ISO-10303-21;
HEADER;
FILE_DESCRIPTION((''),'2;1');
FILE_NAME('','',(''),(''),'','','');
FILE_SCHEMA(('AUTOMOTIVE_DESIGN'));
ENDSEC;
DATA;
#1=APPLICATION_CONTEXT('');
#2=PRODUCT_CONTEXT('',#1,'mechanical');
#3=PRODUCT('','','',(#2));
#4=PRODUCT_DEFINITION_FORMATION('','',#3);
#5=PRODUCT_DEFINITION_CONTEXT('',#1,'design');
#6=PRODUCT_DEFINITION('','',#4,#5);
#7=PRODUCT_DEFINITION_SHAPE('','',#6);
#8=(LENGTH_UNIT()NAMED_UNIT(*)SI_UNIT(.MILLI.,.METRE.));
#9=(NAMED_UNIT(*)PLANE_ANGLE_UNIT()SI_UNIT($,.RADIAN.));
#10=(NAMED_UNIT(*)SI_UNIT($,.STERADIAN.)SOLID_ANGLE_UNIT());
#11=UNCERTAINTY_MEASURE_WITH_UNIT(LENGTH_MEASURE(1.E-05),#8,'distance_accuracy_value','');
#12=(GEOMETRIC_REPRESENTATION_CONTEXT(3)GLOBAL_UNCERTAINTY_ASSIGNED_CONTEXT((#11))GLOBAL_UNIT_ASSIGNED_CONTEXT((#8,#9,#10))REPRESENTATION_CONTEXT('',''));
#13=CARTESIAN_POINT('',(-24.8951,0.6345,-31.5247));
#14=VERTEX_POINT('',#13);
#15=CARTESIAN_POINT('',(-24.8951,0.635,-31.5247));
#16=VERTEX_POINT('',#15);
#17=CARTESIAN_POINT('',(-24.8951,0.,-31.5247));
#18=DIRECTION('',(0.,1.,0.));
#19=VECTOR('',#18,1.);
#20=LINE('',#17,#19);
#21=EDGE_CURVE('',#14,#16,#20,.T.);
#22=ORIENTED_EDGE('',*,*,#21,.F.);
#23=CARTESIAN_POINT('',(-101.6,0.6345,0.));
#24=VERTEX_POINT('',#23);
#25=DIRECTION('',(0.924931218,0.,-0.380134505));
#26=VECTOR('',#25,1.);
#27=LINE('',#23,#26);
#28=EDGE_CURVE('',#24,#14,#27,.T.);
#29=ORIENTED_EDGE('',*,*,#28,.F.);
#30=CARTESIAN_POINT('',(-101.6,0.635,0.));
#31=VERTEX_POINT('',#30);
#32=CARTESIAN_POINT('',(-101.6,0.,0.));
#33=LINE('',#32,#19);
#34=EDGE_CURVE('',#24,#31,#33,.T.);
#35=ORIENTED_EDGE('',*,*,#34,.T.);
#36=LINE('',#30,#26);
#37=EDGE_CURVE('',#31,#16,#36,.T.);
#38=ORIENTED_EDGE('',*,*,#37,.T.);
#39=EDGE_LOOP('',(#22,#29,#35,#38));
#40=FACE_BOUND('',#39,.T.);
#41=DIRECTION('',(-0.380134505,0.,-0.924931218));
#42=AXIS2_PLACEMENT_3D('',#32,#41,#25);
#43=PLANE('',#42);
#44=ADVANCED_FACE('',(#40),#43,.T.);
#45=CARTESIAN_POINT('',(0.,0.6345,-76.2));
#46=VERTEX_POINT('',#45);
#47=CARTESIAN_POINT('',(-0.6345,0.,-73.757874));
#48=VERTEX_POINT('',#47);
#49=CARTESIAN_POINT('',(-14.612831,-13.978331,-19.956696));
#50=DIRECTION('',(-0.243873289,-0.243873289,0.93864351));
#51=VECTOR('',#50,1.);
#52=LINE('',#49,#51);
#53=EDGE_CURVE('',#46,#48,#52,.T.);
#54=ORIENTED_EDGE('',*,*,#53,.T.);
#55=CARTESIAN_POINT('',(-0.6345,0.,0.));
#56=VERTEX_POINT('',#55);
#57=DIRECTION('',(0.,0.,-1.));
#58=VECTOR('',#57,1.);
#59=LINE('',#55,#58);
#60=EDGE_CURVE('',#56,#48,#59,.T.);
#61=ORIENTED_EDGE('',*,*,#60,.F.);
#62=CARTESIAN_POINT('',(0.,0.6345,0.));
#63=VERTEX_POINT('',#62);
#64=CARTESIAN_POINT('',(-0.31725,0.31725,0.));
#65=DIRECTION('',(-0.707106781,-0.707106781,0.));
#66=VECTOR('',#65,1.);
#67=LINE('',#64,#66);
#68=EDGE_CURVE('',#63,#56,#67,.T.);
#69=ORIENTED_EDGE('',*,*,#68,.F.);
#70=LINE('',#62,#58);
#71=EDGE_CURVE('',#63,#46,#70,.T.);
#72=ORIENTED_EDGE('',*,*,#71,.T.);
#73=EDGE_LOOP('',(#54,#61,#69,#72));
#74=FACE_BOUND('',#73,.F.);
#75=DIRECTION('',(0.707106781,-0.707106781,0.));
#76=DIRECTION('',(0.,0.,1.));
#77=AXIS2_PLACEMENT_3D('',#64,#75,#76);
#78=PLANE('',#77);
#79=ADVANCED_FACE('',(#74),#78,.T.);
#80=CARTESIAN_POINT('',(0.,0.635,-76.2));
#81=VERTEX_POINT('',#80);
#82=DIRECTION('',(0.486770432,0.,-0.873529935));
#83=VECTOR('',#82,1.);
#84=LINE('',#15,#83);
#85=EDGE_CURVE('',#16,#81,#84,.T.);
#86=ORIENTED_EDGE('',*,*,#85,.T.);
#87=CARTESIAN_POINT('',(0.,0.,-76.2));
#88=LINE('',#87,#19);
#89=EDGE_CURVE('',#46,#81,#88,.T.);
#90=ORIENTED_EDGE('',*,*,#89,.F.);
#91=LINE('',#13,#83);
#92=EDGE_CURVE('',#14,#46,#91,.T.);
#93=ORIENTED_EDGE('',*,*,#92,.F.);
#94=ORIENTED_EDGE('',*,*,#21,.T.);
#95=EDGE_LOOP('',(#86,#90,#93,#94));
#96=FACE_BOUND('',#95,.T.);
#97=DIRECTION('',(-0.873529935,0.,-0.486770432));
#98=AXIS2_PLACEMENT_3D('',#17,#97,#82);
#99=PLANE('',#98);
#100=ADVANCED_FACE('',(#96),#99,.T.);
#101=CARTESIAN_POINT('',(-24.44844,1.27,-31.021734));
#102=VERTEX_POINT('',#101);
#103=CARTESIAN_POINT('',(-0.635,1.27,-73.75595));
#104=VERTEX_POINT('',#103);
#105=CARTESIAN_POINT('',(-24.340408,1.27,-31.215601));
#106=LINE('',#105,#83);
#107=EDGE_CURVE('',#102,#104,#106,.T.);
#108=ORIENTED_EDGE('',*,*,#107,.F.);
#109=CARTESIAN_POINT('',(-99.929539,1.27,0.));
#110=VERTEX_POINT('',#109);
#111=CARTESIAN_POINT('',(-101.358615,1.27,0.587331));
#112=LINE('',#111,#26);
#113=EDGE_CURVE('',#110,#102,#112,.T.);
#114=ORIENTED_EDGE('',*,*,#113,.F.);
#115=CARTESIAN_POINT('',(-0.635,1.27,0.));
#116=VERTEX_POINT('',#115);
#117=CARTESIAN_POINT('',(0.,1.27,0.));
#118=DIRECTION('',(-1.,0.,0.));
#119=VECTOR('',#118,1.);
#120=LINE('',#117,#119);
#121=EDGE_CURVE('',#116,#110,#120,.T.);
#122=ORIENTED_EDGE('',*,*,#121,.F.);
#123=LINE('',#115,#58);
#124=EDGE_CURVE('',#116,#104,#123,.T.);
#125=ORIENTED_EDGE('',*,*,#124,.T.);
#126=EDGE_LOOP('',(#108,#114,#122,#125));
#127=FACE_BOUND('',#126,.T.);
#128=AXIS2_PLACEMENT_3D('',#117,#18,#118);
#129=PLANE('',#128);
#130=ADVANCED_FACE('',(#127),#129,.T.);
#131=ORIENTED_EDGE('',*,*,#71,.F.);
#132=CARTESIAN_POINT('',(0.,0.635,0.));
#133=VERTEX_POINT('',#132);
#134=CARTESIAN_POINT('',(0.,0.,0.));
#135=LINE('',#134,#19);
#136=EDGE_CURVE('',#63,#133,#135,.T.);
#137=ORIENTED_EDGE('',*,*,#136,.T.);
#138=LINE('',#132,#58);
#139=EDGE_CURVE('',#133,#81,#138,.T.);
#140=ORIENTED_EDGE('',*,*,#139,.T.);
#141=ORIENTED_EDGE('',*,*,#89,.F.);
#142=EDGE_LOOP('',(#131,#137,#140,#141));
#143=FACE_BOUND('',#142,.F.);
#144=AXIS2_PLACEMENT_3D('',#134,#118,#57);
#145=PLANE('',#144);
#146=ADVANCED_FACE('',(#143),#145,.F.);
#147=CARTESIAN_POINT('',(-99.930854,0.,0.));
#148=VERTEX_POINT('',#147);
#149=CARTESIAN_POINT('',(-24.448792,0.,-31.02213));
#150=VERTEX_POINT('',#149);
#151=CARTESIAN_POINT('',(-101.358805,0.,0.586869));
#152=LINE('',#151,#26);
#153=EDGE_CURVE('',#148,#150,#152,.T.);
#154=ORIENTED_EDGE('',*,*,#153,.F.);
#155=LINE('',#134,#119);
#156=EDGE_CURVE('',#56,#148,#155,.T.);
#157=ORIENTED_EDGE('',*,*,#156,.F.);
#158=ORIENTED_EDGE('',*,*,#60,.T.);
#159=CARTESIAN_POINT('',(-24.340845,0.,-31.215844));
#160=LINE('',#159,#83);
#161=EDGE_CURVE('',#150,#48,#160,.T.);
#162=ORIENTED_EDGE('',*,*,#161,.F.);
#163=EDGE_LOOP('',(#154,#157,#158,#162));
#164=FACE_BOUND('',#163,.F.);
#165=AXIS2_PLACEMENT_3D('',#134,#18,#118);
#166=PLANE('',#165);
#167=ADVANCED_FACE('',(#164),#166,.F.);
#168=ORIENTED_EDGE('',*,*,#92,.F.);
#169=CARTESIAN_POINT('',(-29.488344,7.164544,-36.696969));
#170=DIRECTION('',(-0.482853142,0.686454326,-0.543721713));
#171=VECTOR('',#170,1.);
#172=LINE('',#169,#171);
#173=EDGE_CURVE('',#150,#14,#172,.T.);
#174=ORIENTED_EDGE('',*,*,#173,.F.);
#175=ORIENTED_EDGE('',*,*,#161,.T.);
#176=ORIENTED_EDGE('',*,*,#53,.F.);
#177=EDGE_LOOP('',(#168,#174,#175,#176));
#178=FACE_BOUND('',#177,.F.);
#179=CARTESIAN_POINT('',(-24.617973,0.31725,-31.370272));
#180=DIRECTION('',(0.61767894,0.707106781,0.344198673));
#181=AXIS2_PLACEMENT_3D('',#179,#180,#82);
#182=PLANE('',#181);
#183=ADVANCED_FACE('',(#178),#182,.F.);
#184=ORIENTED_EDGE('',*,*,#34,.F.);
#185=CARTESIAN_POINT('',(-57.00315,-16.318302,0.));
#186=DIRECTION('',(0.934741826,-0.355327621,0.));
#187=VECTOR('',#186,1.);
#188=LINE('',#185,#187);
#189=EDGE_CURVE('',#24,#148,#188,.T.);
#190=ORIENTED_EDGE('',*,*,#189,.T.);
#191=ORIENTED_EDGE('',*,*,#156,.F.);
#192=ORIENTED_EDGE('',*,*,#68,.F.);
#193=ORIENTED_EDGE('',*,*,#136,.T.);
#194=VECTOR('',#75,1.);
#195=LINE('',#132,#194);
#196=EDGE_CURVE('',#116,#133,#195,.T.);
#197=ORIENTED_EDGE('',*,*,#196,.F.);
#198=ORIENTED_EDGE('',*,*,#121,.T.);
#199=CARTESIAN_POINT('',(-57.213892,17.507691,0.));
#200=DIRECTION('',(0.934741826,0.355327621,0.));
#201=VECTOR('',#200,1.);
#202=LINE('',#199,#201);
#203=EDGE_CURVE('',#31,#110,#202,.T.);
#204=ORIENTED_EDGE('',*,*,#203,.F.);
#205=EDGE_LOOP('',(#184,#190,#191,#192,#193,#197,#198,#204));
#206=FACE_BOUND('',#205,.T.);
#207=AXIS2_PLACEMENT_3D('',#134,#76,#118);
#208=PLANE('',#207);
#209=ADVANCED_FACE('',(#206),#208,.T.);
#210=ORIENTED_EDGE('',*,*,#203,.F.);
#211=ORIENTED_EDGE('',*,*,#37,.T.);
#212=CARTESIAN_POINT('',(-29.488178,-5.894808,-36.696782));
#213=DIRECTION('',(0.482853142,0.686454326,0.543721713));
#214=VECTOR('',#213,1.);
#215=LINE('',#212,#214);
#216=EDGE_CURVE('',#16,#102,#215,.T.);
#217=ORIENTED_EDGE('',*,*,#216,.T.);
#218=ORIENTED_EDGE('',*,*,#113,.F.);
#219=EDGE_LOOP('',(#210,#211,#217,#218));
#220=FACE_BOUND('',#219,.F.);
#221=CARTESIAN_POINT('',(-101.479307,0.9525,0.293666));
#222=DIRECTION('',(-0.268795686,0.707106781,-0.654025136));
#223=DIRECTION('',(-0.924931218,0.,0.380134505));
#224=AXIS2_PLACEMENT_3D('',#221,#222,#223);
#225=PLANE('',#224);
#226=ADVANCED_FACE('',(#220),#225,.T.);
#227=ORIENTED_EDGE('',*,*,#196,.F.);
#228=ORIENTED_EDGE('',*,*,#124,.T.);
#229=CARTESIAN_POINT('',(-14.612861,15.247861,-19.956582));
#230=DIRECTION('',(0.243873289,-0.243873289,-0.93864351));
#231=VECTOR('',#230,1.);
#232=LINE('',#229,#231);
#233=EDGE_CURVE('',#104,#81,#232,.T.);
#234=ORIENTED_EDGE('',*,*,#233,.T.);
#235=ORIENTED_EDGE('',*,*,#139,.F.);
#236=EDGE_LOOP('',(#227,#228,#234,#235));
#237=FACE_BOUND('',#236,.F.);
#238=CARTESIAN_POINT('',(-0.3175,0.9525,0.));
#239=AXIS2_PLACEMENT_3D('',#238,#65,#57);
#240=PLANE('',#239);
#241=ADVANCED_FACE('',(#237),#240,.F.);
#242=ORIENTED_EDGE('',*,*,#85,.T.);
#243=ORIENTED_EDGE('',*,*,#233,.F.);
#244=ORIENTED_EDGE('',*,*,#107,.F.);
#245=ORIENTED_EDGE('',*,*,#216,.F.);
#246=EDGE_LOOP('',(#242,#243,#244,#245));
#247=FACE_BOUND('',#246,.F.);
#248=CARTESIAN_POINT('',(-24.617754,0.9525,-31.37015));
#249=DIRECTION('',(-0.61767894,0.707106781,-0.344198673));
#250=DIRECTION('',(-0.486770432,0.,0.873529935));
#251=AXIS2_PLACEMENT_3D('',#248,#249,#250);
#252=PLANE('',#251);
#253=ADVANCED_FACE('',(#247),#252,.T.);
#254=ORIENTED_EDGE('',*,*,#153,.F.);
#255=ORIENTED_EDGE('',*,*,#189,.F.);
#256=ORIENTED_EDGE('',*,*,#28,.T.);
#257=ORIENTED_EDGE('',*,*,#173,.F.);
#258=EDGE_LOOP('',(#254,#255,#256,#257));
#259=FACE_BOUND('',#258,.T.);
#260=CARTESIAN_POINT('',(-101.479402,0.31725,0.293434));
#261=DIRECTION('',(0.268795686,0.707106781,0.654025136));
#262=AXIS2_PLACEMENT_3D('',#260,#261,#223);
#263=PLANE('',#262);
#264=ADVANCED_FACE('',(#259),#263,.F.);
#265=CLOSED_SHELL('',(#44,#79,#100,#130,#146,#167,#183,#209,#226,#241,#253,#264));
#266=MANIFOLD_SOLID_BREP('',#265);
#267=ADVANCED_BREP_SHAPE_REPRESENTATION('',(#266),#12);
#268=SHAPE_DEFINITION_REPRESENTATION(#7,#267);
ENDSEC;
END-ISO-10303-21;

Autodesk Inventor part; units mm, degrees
ref_plane "YZ Plane" through (0, 0, 0) normal (1, 0, 0) x (0, 1, 0)
ref_plane "XZ Plane" through (0, 0, 0) normal (0, 1, 0) x (-1, 0, 0)
ref_plane "XY Plane" through (0, 0, 0) normal (0, 0, 1) x (1, 0, 0)
sketch "Sketch1" plane through (0, 0, 0) normal (0, 1, 0) x (-1, 0, 0)
  line L0 (0, 0) -> (101.6, 0)
  line L1 (0, 0) -> (0, -76.2)
  line L2 (101.6, 0) -> (24.8951, -31.5247)
  line L3 (24.8951, -31.5247) -> (0, -76.2)
  dimension "d0" = 101.6
  dimension "d1" = 76.2
extrude "Extrusion1" add sketch "Sketch1" along normal blind 1.27
chamfer "Chamfer1" distance 0.635 angle 45 2 edges at (-12.4476, 1.27, -53.8624) (-63.2476, 1.27, -15.7624)
chamfer "Chamfer2" distance 0.635 angle 45 2 edges at (-12.4476, 0, -53.8624) (-63.2476, 0, -15.7624)
chamfer "Chamfer3" distance 0.635 angle 45 1 edges at (0, 1.27, -37.4477)
chamfer "Chamfer4" distance 0.635 angle 45 1 edges at (0, 0, -37.4483)
properties part number "Rocket_MK_II_Fins_II" material "ABS Plastic"
